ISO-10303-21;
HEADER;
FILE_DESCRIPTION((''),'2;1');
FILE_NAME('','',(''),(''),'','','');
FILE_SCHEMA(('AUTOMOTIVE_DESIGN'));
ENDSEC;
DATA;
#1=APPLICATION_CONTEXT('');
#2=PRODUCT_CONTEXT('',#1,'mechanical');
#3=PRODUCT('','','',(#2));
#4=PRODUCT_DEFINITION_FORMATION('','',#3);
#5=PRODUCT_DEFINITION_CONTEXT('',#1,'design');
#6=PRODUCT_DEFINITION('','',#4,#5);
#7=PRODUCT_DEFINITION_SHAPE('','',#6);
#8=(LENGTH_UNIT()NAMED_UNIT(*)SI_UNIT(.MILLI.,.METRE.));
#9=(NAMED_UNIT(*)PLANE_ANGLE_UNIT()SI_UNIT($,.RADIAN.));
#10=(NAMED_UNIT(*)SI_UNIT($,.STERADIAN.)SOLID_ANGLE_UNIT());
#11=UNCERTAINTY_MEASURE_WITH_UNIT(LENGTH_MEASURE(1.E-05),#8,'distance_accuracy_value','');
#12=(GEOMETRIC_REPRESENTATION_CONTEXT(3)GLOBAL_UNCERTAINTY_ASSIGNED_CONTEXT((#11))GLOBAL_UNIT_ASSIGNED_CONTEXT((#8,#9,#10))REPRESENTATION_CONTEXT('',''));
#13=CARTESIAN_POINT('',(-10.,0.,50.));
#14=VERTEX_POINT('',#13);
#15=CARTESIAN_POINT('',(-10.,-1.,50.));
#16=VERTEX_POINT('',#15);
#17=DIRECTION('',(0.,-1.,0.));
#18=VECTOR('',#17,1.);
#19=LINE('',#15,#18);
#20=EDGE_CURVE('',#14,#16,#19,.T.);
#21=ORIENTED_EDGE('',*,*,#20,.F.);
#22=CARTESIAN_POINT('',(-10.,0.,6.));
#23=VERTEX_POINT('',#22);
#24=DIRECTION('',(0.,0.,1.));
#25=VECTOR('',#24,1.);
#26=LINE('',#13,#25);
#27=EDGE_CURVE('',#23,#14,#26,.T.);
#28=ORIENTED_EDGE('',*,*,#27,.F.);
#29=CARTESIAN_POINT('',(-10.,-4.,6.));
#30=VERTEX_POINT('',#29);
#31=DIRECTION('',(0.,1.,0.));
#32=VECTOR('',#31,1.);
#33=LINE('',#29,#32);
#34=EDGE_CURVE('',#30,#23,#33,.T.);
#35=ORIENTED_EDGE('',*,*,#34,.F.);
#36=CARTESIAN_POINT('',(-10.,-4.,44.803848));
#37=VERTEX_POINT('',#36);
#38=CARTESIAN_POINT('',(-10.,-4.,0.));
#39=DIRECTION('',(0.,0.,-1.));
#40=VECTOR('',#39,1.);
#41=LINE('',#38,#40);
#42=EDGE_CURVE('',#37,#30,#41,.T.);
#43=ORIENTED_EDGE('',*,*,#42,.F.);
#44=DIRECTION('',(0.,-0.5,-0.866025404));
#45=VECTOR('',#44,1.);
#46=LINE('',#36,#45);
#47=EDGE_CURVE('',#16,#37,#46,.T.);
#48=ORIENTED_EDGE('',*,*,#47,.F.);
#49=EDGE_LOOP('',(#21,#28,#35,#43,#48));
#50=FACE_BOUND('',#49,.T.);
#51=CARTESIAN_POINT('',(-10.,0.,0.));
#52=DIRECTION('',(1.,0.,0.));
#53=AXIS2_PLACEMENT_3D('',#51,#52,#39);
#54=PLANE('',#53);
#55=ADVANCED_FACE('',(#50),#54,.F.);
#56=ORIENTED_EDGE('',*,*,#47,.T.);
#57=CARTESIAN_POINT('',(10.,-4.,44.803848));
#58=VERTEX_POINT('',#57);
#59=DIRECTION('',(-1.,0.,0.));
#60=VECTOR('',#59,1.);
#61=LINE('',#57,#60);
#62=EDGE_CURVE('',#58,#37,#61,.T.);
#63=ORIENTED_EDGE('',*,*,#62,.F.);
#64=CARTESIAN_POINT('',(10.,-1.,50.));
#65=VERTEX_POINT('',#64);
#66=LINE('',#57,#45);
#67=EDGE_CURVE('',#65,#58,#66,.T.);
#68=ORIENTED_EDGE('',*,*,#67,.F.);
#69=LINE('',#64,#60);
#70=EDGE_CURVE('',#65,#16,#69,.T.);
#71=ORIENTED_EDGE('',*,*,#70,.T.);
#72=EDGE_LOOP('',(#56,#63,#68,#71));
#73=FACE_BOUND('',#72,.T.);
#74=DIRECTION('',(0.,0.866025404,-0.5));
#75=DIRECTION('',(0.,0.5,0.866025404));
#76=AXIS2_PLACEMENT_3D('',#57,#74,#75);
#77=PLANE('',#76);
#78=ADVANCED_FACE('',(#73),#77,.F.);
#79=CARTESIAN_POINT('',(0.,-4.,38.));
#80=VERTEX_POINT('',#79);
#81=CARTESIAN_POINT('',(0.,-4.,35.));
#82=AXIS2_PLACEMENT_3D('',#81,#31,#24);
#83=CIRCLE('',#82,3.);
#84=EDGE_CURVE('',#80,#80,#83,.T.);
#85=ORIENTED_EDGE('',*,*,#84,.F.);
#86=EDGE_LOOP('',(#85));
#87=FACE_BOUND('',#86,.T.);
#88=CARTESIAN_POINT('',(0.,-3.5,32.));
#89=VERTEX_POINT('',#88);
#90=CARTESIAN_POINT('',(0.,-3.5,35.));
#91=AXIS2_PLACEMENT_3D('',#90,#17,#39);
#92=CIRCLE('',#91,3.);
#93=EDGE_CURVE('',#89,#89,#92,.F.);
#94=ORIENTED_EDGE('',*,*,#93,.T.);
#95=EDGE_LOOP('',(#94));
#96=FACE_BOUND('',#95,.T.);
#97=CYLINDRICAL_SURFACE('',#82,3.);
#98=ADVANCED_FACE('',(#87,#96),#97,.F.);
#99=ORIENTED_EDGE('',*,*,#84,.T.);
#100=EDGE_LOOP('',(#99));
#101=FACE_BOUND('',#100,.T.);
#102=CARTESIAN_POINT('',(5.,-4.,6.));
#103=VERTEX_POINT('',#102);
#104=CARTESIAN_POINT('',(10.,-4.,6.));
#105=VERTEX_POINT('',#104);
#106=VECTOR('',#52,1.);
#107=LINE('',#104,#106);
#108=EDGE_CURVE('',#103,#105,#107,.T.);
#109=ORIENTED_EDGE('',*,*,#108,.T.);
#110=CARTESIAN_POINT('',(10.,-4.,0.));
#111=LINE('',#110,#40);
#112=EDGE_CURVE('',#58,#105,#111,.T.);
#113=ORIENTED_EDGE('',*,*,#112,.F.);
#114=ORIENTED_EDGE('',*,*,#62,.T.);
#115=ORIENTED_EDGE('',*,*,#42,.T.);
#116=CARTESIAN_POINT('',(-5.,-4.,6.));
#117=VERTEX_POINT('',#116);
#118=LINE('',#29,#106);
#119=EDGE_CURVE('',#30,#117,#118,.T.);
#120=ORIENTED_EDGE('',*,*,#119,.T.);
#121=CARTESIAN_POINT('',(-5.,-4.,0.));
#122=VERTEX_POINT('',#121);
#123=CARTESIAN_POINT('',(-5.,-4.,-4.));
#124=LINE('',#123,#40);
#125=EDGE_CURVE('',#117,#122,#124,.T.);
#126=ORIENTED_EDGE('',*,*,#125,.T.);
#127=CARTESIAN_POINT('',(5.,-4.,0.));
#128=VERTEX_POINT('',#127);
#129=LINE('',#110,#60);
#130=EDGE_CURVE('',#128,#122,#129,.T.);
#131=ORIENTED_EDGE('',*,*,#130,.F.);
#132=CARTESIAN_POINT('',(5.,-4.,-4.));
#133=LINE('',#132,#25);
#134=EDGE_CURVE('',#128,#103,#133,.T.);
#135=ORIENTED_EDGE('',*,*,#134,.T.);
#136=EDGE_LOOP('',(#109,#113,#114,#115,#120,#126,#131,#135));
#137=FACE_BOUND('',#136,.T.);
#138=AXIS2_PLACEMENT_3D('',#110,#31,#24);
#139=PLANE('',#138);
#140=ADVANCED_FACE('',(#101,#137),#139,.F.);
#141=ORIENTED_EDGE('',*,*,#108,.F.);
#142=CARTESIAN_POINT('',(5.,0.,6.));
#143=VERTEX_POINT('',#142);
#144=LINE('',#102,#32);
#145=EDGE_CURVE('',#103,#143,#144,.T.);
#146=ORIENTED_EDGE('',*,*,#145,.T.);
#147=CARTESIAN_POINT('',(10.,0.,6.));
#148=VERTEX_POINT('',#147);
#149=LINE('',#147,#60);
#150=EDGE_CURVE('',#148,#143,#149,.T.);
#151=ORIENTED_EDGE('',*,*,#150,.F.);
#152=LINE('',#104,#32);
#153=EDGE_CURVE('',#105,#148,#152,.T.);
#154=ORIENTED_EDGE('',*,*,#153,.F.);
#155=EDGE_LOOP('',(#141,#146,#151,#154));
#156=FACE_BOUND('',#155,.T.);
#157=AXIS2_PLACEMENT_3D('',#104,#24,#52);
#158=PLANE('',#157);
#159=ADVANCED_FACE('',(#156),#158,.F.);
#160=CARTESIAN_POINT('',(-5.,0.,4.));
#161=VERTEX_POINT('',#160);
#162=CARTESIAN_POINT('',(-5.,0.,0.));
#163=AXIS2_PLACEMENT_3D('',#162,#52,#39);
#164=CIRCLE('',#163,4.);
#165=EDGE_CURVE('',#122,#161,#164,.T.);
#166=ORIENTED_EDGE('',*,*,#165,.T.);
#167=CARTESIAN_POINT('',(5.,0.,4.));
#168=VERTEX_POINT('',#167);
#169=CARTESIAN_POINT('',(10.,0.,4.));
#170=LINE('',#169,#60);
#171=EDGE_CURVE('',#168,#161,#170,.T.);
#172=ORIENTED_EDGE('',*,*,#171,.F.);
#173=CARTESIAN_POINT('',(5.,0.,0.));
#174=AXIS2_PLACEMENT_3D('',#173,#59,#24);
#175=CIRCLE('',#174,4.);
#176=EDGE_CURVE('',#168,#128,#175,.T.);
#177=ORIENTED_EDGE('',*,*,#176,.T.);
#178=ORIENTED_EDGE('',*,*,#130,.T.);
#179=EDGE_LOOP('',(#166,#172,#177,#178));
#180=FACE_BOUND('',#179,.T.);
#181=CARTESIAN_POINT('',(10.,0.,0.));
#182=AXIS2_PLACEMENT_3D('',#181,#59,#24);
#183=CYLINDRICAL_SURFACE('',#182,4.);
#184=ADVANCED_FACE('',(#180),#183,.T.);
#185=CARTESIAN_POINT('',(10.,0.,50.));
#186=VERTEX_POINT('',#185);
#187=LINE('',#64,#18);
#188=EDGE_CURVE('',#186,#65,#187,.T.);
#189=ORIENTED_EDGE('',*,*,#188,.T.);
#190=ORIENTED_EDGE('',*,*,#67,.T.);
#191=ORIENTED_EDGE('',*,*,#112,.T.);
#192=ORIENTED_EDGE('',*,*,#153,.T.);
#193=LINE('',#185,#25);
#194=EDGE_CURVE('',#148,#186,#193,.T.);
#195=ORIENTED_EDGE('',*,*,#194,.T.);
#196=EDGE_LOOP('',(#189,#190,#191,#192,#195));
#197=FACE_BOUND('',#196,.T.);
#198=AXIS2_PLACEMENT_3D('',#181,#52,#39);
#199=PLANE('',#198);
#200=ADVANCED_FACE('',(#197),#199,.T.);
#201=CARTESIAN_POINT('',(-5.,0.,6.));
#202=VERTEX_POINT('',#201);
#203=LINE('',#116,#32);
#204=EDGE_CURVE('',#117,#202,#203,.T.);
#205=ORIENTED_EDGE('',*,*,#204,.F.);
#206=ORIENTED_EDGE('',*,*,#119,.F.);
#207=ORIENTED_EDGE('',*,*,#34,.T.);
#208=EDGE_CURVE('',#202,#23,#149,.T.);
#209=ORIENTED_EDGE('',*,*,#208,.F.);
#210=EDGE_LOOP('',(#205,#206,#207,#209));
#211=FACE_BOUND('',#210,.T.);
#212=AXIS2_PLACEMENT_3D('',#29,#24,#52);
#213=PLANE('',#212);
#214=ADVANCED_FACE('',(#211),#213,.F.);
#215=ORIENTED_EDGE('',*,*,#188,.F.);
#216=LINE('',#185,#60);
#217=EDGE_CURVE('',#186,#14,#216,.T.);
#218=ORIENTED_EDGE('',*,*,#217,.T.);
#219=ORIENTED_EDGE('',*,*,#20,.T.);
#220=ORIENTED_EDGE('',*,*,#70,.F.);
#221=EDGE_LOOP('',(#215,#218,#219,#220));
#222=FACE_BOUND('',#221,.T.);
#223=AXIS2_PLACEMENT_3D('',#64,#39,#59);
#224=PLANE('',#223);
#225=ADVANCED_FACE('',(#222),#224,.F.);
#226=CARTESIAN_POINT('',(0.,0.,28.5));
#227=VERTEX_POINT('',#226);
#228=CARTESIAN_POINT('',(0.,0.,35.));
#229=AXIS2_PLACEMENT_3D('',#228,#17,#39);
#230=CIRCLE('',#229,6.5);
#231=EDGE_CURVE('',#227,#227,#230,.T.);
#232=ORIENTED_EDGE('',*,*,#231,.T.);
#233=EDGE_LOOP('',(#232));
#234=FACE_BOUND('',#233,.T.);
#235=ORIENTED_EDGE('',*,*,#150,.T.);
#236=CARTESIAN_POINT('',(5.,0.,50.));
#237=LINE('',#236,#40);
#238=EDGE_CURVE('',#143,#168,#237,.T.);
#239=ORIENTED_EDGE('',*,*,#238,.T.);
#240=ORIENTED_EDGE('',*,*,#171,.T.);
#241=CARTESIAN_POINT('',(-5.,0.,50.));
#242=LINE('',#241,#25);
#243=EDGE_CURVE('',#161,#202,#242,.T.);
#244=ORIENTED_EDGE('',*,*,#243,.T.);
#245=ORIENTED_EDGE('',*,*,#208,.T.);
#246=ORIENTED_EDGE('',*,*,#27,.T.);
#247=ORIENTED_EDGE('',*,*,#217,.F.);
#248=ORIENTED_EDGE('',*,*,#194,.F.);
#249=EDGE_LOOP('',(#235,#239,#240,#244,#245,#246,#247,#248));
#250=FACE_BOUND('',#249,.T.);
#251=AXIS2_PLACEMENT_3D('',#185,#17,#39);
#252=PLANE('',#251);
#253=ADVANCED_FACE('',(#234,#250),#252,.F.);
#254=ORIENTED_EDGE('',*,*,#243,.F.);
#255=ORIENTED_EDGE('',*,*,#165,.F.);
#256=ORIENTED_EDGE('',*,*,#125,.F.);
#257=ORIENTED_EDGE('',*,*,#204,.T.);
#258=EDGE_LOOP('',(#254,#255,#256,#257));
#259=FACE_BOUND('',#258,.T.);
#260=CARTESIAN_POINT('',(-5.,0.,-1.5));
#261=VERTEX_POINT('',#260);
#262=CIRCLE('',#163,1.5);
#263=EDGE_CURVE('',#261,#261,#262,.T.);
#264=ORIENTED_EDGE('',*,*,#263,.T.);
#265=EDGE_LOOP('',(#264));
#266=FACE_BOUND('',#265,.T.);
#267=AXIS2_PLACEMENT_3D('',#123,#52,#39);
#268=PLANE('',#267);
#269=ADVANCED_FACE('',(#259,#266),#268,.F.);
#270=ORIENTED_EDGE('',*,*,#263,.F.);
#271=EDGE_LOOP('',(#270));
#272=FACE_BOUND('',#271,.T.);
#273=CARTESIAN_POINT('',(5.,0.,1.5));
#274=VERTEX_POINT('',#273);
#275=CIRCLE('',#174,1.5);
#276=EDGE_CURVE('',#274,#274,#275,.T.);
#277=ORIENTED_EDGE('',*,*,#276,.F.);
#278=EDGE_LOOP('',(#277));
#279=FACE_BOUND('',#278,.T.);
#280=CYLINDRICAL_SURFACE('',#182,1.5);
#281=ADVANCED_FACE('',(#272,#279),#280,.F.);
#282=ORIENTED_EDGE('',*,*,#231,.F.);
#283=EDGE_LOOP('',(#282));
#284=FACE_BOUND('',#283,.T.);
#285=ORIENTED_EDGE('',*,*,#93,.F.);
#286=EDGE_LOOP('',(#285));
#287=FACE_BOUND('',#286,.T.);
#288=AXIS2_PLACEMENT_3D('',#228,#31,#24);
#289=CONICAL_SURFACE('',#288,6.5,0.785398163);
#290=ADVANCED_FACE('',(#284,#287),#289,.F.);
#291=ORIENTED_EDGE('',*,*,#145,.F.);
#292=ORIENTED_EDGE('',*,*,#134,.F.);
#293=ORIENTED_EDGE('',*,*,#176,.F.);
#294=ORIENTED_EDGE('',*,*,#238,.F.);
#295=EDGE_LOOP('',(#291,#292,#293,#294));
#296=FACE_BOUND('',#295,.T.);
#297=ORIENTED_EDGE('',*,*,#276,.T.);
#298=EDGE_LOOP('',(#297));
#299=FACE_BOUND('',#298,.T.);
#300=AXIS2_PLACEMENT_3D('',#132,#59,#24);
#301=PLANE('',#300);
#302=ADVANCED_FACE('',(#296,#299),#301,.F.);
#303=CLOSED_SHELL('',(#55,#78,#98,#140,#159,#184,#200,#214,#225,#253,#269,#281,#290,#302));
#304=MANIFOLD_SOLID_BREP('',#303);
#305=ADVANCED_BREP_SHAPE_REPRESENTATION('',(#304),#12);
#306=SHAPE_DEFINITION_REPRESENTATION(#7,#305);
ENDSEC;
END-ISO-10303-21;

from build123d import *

# Parameters (mm, degrees)
SKETCH_1_R               = 1.5
EXTRUDE_1_DEPTH          = 10
CUT_EXTRUDE_1_DEPTH      = 52.14684741
CUT_EXTRUDE_1_DEPTH_BACK = 52.14684741
SKETCH_3_R               = 3
SKETCH_3_W               = 5
SKETCH_3_H               = 10
CHAMFER_1_SIZE           = 3.5


with BuildPart() as part:
    # 草图1 → 凸台-拉伸1 (new, symmetric)
    with BuildSketch(Plane(origin=(0, 0, 0), x_dir=(0, 0, -1), z_dir=(1, 0, 0))):
        with BuildLine():
            Line((0, -4), (-44.803847577, -4))
            Line((-44.803847577, -4), (-50, -1))
            Line((-50, -1), (-50, 0))
            Line((-50, 0), (-4, 0))
            ThreePointArc((-4, 0), (2.828427125, 2.828427125), (0, -4))
        make_face()
        Circle(SKETCH_1_R, mode=Mode.SUBTRACT)
    extrude(amount=EXTRUDE_1_DEPTH, both=True)

    # 草图3 → 切除-拉伸1 (cut, two sides: drawn at the far end of the back side and taken through both)
    with BuildSketch(Plane(origin=(0, 0, 0), x_dir=(1, 0, 0), z_dir=(0, 1, 0)).offset(-CUT_EXTRUDE_1_DEPTH_BACK)):
        with Locations(Location((0, -35, 0), (0, 0, 270))):
            Circle(SKETCH_3_R)
        with Locations((-7.5, -1)):
            Rectangle(SKETCH_3_W, SKETCH_3_H)
        with Locations((7.5, -1)):
            Rectangle(SKETCH_3_W, SKETCH_3_H)
    extrude(amount=CUT_EXTRUDE_1_DEPTH + CUT_EXTRUDE_1_DEPTH_BACK, mode=Mode.SUBTRACT)

    # 倒角1
    chamfer_1_edges = [part.edges().sort_by_distance(p)[0] for p in [
        (0, 0, 32),
    ]]
    chamfer(chamfer_1_edges, length=CHAMFER_1_SIZE)


solid = part.part
